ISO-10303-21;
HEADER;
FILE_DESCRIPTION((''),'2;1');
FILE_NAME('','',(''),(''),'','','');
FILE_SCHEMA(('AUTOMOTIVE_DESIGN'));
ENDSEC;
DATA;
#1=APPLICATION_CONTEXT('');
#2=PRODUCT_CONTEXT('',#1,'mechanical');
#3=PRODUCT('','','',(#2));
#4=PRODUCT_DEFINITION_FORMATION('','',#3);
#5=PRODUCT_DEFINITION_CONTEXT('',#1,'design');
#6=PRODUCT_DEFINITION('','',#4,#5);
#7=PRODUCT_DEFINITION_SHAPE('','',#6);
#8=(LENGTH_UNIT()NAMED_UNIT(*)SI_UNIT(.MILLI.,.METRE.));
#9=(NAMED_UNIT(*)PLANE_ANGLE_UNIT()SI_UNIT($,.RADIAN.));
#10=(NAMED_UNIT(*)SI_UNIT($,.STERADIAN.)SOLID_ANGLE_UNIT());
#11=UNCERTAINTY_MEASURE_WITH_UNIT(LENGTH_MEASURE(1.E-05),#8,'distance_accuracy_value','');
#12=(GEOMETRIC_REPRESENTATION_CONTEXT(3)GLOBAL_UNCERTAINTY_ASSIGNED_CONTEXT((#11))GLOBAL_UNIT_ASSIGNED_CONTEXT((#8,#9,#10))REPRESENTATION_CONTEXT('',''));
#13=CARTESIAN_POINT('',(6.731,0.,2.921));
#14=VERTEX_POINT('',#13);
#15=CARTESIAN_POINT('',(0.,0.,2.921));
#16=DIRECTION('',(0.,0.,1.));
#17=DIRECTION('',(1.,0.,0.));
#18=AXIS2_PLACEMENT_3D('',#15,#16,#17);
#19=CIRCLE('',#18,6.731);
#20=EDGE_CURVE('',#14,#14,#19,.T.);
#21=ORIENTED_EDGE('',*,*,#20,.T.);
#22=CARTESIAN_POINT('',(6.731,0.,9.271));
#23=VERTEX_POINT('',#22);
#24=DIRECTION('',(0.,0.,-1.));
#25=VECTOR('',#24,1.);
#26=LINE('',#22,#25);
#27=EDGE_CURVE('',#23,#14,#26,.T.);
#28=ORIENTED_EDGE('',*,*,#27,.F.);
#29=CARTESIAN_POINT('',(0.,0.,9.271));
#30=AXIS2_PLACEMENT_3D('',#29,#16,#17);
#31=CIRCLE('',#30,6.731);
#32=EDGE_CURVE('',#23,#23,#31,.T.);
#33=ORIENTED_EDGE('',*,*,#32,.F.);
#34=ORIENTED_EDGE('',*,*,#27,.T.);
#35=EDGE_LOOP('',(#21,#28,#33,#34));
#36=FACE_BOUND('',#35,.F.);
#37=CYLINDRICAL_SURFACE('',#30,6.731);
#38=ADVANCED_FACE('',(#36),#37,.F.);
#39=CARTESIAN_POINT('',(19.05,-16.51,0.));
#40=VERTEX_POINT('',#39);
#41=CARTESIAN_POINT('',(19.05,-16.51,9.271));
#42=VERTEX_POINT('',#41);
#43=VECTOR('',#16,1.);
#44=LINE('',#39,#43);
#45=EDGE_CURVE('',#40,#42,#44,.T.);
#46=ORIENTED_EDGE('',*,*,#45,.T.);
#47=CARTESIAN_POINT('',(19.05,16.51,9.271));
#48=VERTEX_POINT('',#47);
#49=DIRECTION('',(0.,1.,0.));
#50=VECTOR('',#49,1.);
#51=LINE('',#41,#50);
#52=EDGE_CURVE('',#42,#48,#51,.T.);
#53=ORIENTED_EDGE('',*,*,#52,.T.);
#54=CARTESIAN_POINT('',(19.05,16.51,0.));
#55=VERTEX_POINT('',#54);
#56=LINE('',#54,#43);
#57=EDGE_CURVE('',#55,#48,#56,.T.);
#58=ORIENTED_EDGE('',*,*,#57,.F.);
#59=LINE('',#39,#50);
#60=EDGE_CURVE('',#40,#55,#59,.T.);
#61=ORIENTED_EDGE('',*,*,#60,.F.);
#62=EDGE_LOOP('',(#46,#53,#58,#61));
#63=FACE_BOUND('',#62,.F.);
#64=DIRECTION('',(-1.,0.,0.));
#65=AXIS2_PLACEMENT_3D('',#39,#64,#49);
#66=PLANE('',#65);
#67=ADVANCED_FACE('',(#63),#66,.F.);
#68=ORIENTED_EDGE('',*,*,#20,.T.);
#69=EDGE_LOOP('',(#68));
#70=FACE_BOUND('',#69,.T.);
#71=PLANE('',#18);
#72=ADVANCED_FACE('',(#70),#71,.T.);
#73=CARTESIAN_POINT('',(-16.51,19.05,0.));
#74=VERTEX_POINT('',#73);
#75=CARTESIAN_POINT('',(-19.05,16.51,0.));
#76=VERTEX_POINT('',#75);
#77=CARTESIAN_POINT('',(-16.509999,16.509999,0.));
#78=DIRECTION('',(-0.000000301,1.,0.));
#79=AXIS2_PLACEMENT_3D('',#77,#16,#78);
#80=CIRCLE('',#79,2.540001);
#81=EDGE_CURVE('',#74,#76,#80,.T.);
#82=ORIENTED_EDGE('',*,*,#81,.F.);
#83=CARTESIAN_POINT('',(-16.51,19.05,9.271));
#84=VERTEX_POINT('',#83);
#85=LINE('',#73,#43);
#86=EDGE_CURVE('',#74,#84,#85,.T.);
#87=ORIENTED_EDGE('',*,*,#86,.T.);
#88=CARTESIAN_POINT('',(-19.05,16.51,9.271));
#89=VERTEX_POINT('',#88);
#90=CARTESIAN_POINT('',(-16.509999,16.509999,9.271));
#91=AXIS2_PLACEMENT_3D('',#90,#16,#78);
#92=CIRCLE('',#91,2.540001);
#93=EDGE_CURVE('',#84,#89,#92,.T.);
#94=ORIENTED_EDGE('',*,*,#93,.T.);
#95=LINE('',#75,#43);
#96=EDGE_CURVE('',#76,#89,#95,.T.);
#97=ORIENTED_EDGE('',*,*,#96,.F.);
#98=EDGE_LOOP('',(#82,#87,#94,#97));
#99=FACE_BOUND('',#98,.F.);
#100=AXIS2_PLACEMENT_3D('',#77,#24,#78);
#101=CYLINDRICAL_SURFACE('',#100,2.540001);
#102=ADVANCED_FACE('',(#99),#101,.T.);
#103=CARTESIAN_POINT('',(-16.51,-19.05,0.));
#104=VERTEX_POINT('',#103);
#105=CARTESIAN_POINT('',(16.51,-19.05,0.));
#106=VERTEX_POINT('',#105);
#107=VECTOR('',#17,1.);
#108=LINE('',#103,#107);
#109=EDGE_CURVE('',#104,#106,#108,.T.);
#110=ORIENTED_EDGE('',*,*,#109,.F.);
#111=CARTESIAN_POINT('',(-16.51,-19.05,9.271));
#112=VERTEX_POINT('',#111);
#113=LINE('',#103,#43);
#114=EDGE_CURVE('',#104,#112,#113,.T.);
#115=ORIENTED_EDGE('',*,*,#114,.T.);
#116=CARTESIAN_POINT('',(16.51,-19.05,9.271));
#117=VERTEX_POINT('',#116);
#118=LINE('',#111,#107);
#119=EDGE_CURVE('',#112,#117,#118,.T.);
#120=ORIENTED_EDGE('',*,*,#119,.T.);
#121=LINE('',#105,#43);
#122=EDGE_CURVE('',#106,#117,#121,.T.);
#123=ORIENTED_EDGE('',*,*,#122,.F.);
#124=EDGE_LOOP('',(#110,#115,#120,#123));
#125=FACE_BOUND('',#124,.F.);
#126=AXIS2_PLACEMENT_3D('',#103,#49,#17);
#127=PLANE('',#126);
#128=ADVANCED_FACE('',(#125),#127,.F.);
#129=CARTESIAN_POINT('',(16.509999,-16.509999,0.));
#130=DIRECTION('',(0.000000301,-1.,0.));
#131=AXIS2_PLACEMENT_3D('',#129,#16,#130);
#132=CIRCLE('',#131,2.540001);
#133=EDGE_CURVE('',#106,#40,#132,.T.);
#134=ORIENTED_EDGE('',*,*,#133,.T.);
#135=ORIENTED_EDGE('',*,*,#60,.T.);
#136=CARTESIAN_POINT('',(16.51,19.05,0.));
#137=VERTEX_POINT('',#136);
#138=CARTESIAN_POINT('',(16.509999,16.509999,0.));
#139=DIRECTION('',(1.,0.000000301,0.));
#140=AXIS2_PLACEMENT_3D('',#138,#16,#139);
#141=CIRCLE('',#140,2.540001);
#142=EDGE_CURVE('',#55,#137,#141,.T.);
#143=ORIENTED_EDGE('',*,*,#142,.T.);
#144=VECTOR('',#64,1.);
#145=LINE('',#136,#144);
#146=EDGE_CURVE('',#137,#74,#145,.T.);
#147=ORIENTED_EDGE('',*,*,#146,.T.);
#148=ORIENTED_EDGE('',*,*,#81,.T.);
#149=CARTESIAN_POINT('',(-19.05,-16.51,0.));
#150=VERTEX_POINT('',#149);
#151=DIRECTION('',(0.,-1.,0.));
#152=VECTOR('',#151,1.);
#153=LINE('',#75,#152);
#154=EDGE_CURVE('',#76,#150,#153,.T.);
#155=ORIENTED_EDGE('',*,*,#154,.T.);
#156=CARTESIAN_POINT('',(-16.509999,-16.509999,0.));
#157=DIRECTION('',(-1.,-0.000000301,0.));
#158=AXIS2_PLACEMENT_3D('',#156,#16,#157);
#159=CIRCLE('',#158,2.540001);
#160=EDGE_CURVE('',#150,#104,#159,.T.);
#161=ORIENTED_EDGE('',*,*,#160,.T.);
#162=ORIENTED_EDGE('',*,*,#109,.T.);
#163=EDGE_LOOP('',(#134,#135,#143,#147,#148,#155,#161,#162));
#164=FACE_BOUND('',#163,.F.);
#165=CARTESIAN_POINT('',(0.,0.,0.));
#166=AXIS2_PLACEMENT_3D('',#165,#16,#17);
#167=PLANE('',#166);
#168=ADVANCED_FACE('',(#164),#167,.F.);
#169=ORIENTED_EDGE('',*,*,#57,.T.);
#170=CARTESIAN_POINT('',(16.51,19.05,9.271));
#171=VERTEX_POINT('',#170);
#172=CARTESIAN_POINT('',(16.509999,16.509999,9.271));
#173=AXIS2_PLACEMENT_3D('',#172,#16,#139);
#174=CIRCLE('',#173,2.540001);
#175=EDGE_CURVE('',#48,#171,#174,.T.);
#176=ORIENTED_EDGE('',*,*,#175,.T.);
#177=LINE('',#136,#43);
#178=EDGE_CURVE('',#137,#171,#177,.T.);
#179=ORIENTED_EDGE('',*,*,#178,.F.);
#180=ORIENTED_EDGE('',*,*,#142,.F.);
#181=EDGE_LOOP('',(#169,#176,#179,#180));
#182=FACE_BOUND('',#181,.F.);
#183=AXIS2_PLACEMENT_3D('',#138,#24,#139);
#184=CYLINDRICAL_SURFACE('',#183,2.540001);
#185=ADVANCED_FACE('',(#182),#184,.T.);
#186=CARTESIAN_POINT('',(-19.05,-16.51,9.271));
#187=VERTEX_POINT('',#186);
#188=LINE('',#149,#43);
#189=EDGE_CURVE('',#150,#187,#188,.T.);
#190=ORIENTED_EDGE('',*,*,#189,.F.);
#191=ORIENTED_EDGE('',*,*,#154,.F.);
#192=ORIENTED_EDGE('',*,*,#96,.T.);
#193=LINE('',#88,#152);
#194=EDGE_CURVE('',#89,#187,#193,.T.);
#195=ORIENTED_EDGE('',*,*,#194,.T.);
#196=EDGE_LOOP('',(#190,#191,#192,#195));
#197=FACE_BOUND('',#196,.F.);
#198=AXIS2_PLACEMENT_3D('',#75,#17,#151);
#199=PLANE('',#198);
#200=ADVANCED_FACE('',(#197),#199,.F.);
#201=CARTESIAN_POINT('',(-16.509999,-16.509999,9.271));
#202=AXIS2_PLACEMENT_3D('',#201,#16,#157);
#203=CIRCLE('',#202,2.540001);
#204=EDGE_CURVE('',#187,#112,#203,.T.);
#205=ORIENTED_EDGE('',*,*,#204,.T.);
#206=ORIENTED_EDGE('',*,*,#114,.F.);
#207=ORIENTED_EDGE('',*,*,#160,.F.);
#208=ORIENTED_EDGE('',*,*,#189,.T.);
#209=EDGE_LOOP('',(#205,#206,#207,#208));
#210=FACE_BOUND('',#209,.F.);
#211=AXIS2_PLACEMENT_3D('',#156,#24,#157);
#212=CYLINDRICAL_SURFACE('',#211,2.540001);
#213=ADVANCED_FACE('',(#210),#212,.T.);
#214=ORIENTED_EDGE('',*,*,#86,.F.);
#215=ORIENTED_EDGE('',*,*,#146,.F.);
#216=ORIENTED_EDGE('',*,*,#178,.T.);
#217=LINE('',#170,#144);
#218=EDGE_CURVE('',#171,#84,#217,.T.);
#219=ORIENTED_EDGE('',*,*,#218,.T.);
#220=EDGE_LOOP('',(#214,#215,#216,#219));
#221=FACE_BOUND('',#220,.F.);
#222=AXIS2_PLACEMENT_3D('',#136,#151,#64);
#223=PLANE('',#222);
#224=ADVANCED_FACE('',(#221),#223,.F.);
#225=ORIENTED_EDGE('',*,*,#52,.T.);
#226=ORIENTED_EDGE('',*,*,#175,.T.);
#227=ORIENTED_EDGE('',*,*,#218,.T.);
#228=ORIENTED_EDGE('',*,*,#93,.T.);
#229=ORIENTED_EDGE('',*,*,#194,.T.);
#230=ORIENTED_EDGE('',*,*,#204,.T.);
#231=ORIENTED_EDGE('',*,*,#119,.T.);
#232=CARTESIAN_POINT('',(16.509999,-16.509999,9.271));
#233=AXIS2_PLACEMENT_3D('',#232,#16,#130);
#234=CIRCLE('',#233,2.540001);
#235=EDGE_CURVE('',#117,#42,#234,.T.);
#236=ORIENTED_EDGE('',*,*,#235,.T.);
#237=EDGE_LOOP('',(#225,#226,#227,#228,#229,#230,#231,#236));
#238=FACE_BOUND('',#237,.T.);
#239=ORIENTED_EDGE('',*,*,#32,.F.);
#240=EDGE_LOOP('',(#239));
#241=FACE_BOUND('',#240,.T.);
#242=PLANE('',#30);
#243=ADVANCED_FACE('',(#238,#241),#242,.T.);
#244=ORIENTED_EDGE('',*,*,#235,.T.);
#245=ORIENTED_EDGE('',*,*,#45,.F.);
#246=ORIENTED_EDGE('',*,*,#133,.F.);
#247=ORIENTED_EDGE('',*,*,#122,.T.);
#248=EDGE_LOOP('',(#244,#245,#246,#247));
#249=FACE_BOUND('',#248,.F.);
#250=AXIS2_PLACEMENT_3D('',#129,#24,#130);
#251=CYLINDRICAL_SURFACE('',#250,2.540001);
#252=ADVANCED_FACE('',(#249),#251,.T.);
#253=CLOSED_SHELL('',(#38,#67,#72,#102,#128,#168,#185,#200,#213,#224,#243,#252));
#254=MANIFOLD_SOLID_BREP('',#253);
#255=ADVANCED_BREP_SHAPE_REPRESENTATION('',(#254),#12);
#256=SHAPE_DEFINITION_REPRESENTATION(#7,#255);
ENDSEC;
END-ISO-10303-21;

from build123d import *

# Parameters (mm, degrees)
F1_DEPTH = 9.271
F2_R     = 6.731
F3_DEPTH = 6.35


with BuildPart() as f1:
    # F0 (on Top) → F1 (new body)
    with BuildSketch(Plane.XY):
        with BuildLine():
            Line((16.51, 19.05), (-16.51, 19.05))
            ThreePointArc((-16.51, 19.05), (-18.306051, 18.306051), (-19.05, 16.51))
            Line((-19.05, 16.51), (-19.05, -16.51))
            ThreePointArc((-19.05, -16.51), (-18.306051, -18.306051), (-16.51, -19.05))
            Line((-16.51, -19.05), (16.51, -19.05))
            ThreePointArc((16.51, -19.05), (18.306051, -18.306051), (19.05, -16.51))
            Line((19.05, -16.51), (19.05, 16.51))
            ThreePointArc((19.05, 16.51), (18.306051, 18.306051), (16.51, 19.05))
        make_face()
    extrude(amount=F1_DEPTH)

    # F2 (on face) → F3 (cut)
    with BuildSketch(Plane.XY.offset(9.271)):
        Circle(F2_R)
    extrude(amount=-F3_DEPTH, mode=Mode.SUBTRACT)


solid = f1.part
